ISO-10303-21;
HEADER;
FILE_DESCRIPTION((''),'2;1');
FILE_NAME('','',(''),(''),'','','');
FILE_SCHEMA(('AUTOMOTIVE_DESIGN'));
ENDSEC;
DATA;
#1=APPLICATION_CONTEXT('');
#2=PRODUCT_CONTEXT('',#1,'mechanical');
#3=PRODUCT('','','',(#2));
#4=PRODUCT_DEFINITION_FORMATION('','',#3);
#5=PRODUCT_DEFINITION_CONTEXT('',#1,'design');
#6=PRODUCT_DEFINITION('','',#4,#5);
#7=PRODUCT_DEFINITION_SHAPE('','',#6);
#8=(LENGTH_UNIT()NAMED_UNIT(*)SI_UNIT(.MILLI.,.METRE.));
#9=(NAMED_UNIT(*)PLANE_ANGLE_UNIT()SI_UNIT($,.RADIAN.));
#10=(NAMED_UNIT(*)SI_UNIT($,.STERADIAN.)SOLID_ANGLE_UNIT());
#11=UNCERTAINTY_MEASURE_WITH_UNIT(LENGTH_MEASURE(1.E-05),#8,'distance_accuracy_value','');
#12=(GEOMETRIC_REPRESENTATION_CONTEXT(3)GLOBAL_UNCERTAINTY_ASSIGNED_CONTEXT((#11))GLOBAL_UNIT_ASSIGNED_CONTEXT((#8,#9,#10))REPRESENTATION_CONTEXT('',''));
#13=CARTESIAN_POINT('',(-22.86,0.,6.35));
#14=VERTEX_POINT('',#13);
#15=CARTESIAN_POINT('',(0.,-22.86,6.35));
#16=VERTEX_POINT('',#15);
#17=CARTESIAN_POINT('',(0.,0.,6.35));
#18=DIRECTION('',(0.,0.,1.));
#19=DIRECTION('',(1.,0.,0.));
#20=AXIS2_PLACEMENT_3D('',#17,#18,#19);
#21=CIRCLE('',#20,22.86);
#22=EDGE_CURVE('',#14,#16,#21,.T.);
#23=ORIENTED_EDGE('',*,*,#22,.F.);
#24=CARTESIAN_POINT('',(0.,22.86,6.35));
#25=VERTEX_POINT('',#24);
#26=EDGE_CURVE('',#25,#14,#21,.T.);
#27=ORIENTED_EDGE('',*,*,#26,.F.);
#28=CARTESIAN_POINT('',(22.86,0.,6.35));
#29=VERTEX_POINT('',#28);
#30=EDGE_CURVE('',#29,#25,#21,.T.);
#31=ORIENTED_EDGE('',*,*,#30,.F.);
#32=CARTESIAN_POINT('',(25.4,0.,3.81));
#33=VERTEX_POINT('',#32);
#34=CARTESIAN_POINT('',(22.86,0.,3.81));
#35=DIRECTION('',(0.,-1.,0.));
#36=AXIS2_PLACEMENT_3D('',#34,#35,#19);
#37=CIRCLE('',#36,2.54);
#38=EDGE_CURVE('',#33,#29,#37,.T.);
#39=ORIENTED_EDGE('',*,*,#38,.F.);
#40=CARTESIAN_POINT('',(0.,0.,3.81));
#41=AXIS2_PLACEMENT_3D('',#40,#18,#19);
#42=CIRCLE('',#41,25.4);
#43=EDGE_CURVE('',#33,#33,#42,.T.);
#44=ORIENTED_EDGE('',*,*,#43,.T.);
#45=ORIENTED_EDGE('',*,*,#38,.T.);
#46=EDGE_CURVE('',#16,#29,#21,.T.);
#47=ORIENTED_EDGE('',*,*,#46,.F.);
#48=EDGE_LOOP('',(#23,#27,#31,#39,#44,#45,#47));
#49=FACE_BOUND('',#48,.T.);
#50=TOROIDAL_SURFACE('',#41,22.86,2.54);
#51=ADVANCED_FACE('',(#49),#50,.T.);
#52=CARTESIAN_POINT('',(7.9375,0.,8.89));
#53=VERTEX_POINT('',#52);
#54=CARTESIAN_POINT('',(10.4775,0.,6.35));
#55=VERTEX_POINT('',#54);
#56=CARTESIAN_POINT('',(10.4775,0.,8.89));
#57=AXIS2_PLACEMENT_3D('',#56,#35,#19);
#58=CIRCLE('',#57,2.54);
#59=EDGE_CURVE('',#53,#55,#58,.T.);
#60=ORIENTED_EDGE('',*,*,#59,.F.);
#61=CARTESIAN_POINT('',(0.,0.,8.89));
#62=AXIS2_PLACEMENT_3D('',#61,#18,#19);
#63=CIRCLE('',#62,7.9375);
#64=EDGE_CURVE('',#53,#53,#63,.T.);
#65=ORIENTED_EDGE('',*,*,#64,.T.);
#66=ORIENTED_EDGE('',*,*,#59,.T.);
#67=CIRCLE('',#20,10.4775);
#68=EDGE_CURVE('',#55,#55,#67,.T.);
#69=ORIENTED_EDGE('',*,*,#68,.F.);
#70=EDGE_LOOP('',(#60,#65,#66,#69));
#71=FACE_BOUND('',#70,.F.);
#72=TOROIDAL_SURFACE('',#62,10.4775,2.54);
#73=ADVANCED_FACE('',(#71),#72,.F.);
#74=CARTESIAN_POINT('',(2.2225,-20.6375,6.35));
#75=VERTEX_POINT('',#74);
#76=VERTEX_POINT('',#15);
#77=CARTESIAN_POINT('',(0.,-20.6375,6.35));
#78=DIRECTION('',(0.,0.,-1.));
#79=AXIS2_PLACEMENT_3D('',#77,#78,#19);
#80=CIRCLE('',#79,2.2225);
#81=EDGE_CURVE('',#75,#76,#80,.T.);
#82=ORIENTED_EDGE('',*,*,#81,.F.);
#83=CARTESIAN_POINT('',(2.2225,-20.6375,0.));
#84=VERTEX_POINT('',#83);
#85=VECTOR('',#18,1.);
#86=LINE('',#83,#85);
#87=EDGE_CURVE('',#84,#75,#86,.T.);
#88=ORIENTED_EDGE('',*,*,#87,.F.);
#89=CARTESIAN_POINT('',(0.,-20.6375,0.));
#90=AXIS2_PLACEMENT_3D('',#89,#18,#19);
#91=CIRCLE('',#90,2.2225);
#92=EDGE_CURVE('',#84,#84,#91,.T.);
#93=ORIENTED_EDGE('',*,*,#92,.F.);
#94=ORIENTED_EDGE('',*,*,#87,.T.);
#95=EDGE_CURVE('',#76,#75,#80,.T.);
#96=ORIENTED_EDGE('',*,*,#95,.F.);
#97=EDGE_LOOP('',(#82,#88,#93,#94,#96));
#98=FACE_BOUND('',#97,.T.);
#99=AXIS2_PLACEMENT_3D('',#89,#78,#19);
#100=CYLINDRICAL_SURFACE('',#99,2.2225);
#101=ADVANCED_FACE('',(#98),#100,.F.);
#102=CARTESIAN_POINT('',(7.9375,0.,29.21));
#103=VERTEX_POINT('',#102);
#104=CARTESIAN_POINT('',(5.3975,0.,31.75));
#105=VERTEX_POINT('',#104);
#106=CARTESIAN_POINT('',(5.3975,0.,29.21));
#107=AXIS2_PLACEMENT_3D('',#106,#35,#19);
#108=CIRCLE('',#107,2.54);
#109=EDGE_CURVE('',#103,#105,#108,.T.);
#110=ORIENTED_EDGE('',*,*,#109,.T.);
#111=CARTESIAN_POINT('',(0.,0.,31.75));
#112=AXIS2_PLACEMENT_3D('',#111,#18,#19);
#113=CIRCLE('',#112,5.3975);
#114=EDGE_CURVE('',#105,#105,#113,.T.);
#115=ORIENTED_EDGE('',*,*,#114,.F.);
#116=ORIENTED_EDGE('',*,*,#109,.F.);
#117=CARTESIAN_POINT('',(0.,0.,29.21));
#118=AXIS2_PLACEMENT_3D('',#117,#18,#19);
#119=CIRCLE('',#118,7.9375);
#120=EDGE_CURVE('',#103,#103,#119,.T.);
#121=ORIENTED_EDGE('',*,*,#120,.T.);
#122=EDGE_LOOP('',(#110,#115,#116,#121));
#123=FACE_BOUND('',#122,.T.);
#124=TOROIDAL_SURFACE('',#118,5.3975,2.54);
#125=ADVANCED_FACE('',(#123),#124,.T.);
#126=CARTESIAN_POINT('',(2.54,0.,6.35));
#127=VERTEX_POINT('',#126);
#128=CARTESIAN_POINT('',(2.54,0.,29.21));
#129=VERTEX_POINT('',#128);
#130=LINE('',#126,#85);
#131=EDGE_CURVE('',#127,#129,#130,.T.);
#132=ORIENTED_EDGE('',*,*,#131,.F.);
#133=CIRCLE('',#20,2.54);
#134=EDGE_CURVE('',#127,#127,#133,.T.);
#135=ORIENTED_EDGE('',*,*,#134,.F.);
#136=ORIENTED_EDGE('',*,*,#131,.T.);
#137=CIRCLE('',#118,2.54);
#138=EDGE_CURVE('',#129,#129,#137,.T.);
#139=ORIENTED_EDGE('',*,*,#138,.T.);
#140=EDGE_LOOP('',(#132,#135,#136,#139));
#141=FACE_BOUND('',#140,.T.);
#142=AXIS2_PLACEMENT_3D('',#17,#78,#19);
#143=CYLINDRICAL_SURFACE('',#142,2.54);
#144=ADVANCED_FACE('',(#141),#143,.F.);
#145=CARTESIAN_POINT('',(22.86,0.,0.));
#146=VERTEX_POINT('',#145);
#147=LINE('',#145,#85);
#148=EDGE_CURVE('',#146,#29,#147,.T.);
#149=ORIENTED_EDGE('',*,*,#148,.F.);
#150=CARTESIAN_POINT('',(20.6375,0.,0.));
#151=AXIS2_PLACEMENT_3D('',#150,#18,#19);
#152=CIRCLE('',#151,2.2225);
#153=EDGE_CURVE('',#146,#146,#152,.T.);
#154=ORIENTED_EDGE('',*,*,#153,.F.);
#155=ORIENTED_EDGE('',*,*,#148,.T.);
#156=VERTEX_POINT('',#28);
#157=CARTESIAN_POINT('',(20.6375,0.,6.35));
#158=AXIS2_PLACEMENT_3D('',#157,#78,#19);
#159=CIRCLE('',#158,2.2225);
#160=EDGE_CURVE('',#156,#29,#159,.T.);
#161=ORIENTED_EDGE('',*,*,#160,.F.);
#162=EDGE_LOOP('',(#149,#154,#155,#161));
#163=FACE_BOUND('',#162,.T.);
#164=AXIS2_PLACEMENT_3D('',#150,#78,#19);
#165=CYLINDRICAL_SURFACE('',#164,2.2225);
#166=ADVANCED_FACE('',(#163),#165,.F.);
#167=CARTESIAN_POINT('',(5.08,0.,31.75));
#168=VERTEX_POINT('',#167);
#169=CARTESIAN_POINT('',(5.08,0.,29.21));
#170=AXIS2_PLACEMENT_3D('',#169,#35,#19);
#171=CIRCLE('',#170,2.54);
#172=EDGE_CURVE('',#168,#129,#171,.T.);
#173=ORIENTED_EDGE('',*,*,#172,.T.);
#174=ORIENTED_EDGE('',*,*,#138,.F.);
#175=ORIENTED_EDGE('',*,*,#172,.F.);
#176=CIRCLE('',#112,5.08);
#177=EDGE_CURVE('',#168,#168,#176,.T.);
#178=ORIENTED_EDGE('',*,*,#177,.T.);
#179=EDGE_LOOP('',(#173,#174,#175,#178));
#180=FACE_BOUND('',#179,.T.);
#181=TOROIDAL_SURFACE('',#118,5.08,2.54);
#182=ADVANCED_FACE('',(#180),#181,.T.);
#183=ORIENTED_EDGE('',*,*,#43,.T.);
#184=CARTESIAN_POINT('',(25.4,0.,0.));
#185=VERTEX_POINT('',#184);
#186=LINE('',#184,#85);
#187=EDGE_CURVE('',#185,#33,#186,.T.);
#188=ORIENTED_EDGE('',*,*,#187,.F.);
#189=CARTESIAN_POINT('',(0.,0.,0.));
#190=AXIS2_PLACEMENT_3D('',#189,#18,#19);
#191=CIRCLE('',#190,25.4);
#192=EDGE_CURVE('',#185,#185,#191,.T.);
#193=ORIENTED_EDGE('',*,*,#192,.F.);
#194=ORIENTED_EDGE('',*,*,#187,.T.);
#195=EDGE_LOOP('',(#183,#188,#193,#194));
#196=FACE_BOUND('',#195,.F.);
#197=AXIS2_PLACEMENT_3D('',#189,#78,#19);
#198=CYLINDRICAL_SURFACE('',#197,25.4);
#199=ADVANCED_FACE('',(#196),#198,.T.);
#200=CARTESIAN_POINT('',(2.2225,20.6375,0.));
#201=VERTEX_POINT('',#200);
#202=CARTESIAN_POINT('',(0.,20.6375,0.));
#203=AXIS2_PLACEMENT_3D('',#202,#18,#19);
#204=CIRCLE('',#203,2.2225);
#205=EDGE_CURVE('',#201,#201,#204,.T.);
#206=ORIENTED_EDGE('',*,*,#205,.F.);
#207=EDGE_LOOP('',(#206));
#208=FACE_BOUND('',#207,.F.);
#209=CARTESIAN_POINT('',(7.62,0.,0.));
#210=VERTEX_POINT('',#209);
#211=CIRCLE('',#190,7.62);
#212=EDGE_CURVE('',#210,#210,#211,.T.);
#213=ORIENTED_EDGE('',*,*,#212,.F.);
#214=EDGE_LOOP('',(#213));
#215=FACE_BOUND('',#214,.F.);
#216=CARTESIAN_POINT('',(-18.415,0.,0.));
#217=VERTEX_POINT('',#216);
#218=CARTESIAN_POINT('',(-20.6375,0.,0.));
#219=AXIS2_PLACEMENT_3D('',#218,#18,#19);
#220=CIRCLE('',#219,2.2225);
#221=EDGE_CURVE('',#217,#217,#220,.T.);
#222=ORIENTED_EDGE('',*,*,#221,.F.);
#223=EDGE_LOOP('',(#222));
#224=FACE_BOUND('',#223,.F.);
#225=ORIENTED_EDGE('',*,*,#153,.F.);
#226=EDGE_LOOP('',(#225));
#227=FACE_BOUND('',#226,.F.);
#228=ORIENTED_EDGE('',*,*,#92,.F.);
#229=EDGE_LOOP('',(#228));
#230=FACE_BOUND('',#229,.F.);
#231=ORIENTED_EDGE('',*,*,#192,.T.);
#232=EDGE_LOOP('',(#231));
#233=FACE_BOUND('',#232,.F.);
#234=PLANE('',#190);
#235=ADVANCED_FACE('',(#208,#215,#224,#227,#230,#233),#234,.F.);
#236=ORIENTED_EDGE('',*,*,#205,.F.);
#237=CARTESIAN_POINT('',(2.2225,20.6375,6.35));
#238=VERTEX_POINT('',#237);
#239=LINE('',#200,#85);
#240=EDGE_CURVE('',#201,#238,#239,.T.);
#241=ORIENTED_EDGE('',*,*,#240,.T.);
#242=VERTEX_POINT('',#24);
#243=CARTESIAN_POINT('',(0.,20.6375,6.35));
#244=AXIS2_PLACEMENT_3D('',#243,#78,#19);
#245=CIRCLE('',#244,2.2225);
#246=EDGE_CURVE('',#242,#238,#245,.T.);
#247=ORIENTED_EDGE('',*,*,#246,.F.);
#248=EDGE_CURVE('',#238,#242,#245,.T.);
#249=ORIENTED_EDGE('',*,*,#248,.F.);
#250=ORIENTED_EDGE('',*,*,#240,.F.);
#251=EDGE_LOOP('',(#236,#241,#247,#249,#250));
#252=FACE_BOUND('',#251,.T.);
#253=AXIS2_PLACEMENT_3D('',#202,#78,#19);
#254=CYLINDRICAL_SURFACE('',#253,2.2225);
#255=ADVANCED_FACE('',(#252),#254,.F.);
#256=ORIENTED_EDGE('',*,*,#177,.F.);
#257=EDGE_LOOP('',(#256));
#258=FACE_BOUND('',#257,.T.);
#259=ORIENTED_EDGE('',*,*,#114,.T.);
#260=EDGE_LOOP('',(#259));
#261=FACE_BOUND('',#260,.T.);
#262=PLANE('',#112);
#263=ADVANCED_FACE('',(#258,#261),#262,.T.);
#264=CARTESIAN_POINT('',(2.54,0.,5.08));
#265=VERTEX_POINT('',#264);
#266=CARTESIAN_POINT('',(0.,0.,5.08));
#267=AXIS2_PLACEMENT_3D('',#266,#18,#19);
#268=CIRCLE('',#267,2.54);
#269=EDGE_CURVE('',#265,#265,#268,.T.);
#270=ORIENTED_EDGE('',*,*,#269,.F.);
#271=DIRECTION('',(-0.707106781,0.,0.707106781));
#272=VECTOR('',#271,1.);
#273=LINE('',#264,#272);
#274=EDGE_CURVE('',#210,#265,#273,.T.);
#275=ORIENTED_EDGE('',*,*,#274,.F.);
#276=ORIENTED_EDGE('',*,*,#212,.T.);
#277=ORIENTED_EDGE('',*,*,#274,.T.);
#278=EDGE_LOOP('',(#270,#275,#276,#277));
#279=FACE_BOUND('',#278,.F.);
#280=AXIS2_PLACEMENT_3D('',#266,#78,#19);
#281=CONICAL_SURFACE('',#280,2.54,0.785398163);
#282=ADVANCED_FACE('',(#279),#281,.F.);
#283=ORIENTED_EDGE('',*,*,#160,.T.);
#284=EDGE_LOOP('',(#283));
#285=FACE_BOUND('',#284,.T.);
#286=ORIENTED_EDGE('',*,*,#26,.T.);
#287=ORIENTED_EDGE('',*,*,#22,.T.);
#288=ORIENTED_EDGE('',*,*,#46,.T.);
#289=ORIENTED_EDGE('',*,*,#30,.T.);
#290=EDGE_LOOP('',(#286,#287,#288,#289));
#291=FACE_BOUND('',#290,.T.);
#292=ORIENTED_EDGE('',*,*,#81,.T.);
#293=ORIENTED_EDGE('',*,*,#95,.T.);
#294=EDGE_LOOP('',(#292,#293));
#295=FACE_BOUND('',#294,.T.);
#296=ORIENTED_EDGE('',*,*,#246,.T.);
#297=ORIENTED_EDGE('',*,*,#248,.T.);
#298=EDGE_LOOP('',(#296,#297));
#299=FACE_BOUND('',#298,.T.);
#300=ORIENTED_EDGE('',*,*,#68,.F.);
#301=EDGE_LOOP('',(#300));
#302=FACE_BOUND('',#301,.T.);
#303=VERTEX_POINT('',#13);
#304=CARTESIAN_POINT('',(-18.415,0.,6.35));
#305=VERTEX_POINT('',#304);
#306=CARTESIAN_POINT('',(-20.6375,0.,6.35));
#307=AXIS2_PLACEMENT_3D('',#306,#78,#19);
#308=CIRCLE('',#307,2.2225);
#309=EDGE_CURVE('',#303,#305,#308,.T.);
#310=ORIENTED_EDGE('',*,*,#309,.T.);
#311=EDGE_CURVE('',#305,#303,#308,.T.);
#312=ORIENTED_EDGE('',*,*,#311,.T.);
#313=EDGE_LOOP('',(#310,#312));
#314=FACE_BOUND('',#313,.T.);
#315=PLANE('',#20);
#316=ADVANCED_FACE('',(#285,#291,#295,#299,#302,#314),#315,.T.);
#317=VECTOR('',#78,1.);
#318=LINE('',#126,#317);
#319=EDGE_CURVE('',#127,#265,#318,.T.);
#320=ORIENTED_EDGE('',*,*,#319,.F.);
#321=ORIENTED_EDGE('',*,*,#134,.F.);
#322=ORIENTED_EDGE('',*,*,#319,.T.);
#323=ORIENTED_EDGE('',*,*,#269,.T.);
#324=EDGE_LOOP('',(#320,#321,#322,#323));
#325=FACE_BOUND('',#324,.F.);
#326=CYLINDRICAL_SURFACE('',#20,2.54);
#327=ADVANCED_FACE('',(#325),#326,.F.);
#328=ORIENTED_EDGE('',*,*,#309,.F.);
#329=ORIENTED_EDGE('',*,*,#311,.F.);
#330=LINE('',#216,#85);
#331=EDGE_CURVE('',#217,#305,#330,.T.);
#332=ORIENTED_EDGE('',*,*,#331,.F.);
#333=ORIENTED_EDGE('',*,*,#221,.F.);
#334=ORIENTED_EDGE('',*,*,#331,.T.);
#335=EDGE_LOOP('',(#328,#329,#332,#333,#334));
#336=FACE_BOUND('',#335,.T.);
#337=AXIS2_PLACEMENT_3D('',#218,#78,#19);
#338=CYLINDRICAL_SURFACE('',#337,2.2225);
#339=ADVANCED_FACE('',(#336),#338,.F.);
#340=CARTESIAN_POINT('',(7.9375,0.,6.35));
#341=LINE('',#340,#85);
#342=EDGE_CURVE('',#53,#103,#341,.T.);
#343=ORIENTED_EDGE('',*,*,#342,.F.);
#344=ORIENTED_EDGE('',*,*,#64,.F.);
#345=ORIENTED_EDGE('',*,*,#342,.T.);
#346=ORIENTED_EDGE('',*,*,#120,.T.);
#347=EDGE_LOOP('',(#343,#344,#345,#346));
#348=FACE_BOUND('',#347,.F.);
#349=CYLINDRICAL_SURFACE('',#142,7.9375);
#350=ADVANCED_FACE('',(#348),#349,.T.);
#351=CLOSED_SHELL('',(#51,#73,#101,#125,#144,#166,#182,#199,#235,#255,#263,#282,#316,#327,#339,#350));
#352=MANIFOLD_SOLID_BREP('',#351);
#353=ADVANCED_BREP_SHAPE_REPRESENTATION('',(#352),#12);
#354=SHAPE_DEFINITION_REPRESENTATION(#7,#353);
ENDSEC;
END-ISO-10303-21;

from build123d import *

# Parameters (mm, degrees)
F0_R     = 25.4
F0_R_2   = 2.2225
F1_DEPTH = 6.35
F3_R     = 2.54
F2_R     = 2.54
F4_DEPTH = 25.4
F2_R_2   = 7.9375
F5_DEPTH = 25.4
F6_R     = 2.54
F7_DEPTH = 25.4
F8_R     = 2.54
F9_SIZE  = 5.08


with BuildPart() as f1:
    # F0 (on Top) → F1 (new body)
    with BuildSketch(Plane.XY):
        Circle(F0_R)
        with Locations((0, -20.6375)):
            Circle(F0_R_2, mode=Mode.SUBTRACT)
        with Locations((-20.6375, 0)):
            Circle(F0_R_2, mode=Mode.SUBTRACT)
        with Locations((20.6375, 0)):
            Circle(F0_R_2, mode=Mode.SUBTRACT)
        with BuildLine():
            Line((-4.064, 10.31875), (-4.064, 0))
            ThreePointArc((-4.064, 0), (0, -4.064), (4.064, 0))
            Line((4.064, 0), (4.064, 10.31875))
            ThreePointArc((4.064, 10.31875), (7.239, 14.1114143812), (10.414, 10.31875))
            Line((10.414, 10.31875), (10.414, 0))
            ThreePointArc((10.414, 0), (0, -10.414), (-10.414, 0))
            Line((-10.414, 0), (-10.414, 10.31875))
            ThreePointArc((-10.414, 10.31875), (-7.239, 14.1114143812), (-4.064, 10.31875))
        make_face(mode=Mode.SUBTRACT)
        with Locations((0, 20.6375)):
            Circle(F0_R_2, mode=Mode.SUBTRACT)
        with BuildLine():
            ThreePointArc((4.064, 0), (0, -4.064), (-4.064, 0))
            Line((-4.064, 0), (-4.064, 10.31875))
            ThreePointArc((-4.064, 10.31875), (-7.239, 14.1114143812), (-10.414, 10.31875))
            Line((-10.414, 10.31875), (-10.414, 0))
            ThreePointArc((-10.414, 0), (0, -10.414), (10.414, 0))
            Line((10.414, 0), (10.414, 10.31875))
            ThreePointArc((10.414, 10.31875), (7.239, 14.1114143812), (4.064, 10.31875))
            Line((4.064, 10.31875), (4.064, 0))
        make_face()
        with Locations((0, -20.6375)):
            Circle(F0_R_2)
        with Locations((-20.6375, 0)):
            Circle(F0_R_2)
        with Locations((0, 20.6375)):
            Circle(F0_R_2)
        with Locations((20.6375, 0)):
            Circle(F0_R_2)
    extrude(amount=F1_DEPTH)

    # F3
    f3_edges = [f1.edges().sort_by_distance(p)[0] for p in [
        (-25.4, 0, 6.35),
    ]]
    fillet(f3_edges, radius=F3_R)

    # F2 (on face) → F4 (cut)
    with BuildSketch(Plane.XY.offset(6.35)):
        Circle(F2_R)
    extrude(amount=-F4_DEPTH, mode=Mode.SUBTRACT)

    # F2 (on face) → F5 (join)
    with BuildSketch(Plane.XY.offset(6.35)):
        Circle(F2_R_2)
        Circle(F2_R, mode=Mode.SUBTRACT)
    extrude(amount=F5_DEPTH)

    # F6
    f6_edges = [f1.edges().sort_by_distance(p)[0] for p in [
        (-22.86, 0, 6.35),
        (-7.9375, 0, 6.35),
    ]]
    fillet(f6_edges, radius=F6_R)

    # F0 (on Top) → F7 (cut)
    with BuildSketch(Plane.XY):
        with Locations((20.6375, 0)):
            Circle(F0_R_2)
        with Locations((0, 20.6375)):
            Circle(F0_R_2)
        with Locations((-20.6375, 0)):
            Circle(F0_R_2)
        with Locations((0, -20.6375)):
            Circle(F0_R_2)
    extrude(amount=F7_DEPTH, mode=Mode.SUBTRACT)

    # F8
    f8_edges = [f1.edges().sort_by_distance(p)[0] for p in [
        (-7.9375, 0, 31.75),
        (-2.54, 0, 31.75),
    ]]
    fillet(f8_edges, radius=F8_R)

    # F9
    f9_edges = [f1.edges().sort_by_distance(p)[0] for p in [
        (-2.54, 0, 0),
    ]]
    chamfer(f9_edges, length=F9_SIZE)


solid = f1.part
